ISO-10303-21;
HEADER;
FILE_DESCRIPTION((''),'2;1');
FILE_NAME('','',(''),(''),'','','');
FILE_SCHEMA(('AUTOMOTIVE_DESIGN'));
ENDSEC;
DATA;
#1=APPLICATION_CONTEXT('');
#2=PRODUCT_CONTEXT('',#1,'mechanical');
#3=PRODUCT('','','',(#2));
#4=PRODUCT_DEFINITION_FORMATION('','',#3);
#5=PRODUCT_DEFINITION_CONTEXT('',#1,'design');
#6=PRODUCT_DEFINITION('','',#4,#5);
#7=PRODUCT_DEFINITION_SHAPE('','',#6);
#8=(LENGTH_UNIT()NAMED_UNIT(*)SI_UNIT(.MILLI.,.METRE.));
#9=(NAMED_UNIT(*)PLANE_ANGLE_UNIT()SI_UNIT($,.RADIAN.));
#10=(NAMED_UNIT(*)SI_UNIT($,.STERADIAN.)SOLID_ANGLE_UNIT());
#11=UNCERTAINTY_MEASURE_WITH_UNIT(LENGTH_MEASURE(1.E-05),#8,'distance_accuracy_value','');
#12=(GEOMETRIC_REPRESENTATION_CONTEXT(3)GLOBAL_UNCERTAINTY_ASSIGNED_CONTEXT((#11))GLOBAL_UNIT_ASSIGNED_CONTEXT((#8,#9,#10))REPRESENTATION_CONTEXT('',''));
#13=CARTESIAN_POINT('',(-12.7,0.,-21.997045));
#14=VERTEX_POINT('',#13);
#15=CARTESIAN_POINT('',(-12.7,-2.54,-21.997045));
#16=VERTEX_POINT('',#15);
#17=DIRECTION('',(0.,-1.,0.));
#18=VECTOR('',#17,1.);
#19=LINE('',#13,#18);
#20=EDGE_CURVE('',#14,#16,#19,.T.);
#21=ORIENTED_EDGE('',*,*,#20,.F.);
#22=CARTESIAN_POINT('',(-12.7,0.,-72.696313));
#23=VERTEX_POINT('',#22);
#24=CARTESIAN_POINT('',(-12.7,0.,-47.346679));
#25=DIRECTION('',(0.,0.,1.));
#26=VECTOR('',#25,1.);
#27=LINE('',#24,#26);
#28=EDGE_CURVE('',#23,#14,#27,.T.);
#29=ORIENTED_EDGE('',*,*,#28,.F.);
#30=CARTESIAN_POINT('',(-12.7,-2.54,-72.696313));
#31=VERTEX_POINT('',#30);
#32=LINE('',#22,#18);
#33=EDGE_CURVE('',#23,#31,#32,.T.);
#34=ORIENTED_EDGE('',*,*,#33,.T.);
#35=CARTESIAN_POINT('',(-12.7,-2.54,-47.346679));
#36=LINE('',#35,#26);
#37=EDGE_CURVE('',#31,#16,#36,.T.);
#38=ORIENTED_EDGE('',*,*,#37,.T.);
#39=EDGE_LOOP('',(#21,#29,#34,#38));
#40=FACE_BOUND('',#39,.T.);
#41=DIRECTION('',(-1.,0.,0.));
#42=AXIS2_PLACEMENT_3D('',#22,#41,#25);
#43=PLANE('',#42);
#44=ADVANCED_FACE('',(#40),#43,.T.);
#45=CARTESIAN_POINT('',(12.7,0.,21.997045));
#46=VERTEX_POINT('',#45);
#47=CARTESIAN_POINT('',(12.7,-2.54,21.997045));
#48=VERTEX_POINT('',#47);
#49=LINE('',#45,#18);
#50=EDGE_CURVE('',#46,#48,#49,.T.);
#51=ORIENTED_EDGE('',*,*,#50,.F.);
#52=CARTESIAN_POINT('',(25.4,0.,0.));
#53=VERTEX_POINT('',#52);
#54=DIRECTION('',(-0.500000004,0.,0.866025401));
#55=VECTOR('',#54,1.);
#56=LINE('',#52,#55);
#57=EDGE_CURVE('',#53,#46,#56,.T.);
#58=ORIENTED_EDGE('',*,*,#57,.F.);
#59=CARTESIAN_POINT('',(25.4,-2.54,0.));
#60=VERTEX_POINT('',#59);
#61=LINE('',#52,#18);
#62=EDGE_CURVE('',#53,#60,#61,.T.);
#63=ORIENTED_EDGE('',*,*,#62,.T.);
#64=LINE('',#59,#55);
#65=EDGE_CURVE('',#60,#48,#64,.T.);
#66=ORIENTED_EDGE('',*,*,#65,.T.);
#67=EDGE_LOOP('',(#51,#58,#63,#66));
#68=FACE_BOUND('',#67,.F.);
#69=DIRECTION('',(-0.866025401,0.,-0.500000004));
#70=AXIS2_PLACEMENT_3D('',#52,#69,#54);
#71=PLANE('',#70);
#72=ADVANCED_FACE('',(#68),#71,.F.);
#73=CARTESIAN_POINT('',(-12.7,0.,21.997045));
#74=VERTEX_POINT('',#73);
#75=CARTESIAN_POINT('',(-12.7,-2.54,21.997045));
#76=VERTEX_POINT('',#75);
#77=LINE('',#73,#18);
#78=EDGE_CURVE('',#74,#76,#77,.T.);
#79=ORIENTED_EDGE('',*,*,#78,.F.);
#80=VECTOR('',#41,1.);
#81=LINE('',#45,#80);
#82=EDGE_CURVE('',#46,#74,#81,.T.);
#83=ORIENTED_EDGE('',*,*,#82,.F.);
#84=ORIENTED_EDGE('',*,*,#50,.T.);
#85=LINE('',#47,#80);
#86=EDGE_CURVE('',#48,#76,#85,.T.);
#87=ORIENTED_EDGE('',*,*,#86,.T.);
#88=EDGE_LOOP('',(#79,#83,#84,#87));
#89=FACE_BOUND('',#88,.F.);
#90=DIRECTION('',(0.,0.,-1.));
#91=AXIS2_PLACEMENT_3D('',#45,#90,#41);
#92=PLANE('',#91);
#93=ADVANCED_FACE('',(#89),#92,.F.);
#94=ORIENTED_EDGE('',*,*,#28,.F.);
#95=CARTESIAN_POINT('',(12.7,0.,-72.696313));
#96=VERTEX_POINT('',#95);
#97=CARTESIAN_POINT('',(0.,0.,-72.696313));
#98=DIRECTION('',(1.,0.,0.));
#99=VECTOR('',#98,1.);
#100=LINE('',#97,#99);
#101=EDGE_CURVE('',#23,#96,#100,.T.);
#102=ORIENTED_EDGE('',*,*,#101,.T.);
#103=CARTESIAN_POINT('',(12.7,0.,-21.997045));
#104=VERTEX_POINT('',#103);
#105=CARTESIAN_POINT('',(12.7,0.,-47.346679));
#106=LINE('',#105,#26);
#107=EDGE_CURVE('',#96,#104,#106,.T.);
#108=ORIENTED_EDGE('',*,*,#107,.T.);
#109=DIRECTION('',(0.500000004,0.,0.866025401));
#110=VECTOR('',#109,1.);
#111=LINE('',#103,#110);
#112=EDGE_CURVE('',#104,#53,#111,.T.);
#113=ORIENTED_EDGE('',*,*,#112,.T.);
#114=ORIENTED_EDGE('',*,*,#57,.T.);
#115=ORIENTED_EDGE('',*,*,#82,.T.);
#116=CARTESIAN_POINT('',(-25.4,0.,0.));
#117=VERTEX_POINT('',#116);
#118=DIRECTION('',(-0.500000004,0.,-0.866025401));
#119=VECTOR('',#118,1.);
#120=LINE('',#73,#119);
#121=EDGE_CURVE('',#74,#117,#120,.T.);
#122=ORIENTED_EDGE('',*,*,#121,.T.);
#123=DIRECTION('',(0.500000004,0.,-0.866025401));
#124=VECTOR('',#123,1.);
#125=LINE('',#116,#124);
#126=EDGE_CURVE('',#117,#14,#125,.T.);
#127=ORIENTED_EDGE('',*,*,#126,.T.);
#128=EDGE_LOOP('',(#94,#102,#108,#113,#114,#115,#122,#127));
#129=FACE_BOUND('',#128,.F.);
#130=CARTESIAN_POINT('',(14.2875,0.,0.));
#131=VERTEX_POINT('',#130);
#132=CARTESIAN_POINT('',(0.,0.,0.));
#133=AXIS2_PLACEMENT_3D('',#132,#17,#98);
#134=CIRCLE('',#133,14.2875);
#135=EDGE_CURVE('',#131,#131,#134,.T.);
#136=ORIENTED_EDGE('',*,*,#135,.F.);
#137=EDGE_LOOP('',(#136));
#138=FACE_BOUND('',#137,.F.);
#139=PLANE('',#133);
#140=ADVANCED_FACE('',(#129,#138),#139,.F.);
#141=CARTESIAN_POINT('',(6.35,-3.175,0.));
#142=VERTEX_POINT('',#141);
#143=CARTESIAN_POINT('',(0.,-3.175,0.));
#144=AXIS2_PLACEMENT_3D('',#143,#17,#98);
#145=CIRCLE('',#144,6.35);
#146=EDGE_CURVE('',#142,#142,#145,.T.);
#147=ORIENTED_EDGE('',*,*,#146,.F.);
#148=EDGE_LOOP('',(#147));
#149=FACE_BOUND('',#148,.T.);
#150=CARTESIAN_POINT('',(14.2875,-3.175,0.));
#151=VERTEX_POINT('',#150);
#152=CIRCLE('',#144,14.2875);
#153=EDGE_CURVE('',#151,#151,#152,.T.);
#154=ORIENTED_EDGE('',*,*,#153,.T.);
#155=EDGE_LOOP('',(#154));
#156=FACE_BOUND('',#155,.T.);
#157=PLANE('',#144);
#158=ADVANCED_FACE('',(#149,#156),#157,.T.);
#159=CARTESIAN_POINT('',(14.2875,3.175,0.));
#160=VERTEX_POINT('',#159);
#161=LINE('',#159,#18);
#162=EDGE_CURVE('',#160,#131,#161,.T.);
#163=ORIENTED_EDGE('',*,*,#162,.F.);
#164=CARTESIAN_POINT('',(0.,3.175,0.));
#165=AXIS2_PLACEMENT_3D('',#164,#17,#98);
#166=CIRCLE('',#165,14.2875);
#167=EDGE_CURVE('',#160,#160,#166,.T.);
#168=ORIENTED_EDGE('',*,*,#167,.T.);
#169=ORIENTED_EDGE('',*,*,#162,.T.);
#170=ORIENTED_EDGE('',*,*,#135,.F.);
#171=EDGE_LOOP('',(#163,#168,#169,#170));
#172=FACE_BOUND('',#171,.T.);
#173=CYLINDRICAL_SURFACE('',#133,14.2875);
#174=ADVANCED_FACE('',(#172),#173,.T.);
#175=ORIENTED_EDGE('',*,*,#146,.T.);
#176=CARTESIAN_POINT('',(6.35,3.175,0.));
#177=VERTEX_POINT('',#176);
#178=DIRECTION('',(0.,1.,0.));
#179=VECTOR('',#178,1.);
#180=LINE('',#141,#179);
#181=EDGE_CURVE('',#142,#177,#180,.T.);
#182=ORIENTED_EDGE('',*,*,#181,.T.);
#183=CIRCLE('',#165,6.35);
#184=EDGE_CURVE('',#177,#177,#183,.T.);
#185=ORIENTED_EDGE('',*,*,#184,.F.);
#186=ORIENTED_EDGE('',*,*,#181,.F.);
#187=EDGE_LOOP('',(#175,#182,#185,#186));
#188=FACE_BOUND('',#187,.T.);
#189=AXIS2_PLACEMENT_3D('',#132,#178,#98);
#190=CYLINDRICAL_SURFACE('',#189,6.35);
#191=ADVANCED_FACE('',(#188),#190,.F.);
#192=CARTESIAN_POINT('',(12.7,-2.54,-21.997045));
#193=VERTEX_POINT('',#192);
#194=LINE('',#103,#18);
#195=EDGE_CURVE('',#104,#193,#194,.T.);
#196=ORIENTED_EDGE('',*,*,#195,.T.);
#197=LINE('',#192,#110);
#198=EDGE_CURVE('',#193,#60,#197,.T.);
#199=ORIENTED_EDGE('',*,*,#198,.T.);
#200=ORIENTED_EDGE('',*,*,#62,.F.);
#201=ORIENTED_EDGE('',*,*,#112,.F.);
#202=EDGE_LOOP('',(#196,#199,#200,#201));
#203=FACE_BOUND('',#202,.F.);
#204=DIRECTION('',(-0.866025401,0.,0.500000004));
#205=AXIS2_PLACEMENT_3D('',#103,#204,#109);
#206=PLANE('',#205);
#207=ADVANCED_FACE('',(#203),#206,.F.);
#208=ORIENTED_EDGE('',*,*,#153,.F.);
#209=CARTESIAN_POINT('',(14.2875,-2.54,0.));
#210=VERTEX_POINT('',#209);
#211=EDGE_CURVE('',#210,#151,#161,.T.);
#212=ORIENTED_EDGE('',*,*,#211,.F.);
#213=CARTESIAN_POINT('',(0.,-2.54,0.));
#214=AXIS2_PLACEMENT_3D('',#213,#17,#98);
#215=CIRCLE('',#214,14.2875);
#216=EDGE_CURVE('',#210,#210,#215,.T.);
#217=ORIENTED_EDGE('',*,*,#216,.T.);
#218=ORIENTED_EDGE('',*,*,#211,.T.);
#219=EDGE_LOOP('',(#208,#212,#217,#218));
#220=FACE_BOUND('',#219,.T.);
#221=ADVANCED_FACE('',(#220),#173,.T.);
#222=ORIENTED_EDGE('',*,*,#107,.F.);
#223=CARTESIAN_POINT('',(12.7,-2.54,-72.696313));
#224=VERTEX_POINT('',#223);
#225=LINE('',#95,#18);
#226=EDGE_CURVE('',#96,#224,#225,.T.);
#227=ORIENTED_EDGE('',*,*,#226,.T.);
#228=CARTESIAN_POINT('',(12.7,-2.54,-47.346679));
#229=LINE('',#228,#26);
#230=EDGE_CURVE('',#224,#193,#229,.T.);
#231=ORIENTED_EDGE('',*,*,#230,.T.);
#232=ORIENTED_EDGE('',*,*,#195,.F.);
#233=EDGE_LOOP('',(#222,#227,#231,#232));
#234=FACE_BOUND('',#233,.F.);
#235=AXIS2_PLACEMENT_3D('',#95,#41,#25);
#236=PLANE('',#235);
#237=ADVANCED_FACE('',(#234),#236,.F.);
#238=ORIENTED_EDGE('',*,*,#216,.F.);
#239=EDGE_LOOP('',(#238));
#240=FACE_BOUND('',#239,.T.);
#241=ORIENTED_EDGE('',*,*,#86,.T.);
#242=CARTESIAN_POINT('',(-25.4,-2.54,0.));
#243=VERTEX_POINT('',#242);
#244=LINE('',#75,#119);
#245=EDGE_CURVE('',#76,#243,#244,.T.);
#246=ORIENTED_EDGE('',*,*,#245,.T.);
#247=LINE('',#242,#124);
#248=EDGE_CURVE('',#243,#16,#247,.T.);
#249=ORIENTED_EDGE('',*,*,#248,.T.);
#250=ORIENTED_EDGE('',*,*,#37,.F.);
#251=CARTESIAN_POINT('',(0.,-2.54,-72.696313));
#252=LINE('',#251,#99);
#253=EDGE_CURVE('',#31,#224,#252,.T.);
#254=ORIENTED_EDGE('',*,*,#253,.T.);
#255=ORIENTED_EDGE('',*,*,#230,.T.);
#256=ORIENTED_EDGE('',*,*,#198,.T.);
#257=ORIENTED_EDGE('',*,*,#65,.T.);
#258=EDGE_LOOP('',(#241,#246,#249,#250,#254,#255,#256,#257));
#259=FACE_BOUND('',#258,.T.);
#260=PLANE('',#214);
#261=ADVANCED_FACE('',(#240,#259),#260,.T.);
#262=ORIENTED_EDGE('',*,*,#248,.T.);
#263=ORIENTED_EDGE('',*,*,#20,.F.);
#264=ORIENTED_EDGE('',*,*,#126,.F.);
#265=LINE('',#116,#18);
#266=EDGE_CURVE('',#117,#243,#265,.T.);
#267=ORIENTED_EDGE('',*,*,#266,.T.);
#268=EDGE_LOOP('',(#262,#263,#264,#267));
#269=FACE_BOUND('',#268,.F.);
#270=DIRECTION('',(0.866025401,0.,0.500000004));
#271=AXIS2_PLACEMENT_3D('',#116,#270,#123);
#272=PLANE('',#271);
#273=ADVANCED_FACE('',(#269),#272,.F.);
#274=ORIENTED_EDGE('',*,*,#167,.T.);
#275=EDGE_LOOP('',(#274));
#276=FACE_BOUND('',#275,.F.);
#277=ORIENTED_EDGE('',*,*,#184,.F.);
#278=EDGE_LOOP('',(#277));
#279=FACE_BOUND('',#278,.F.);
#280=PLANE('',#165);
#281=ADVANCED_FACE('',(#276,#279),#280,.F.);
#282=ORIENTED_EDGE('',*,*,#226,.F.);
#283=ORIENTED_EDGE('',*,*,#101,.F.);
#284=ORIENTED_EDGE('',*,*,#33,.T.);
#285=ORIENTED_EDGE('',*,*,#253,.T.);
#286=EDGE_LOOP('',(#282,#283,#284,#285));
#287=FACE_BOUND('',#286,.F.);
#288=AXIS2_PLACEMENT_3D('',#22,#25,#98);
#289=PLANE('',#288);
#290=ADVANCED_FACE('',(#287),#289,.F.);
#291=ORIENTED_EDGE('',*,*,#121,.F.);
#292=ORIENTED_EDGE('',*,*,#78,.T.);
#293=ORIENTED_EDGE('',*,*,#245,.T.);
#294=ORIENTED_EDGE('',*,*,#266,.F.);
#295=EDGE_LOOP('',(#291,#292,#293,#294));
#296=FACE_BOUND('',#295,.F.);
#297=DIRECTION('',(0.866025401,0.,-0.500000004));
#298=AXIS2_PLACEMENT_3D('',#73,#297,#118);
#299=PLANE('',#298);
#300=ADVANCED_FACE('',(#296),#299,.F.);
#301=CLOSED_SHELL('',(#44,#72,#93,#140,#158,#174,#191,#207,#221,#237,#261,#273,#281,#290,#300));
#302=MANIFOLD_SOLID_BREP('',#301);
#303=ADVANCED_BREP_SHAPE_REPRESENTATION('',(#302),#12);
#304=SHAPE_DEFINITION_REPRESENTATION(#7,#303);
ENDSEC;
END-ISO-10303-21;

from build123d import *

# Parameters (mm, degrees)
F0_R     = 14.2875
F0_W     = 25.4
F0_H     = 50.699268
F1_DEPTH = 2.54
F0_R_2   = 6.35
F2_DEPTH = 3.175


with BuildPart() as f1:
    # F0 (on Front) → F1 (new body)
    with BuildSketch(Plane.XZ):
        Polygon((12.7, 21.997045), (-12.7, 21.997045), (-25.4, 0), (-12.7, -21.997045), (12.7, -21.997045), (25.4, 0), align=None)
        Circle(F0_R, mode=Mode.SUBTRACT)
        with Locations((0, -47.346679)):
            Rectangle(F0_W, F0_H)
    extrude(amount=F1_DEPTH)

    # F0 (on Front) → F2 (join, symmetric)
    with BuildSketch(Plane.XZ):
        Circle(F0_R)
        Circle(F0_R_2, mode=Mode.SUBTRACT)
    extrude(amount=F2_DEPTH, both=True)


solid = f1.part
